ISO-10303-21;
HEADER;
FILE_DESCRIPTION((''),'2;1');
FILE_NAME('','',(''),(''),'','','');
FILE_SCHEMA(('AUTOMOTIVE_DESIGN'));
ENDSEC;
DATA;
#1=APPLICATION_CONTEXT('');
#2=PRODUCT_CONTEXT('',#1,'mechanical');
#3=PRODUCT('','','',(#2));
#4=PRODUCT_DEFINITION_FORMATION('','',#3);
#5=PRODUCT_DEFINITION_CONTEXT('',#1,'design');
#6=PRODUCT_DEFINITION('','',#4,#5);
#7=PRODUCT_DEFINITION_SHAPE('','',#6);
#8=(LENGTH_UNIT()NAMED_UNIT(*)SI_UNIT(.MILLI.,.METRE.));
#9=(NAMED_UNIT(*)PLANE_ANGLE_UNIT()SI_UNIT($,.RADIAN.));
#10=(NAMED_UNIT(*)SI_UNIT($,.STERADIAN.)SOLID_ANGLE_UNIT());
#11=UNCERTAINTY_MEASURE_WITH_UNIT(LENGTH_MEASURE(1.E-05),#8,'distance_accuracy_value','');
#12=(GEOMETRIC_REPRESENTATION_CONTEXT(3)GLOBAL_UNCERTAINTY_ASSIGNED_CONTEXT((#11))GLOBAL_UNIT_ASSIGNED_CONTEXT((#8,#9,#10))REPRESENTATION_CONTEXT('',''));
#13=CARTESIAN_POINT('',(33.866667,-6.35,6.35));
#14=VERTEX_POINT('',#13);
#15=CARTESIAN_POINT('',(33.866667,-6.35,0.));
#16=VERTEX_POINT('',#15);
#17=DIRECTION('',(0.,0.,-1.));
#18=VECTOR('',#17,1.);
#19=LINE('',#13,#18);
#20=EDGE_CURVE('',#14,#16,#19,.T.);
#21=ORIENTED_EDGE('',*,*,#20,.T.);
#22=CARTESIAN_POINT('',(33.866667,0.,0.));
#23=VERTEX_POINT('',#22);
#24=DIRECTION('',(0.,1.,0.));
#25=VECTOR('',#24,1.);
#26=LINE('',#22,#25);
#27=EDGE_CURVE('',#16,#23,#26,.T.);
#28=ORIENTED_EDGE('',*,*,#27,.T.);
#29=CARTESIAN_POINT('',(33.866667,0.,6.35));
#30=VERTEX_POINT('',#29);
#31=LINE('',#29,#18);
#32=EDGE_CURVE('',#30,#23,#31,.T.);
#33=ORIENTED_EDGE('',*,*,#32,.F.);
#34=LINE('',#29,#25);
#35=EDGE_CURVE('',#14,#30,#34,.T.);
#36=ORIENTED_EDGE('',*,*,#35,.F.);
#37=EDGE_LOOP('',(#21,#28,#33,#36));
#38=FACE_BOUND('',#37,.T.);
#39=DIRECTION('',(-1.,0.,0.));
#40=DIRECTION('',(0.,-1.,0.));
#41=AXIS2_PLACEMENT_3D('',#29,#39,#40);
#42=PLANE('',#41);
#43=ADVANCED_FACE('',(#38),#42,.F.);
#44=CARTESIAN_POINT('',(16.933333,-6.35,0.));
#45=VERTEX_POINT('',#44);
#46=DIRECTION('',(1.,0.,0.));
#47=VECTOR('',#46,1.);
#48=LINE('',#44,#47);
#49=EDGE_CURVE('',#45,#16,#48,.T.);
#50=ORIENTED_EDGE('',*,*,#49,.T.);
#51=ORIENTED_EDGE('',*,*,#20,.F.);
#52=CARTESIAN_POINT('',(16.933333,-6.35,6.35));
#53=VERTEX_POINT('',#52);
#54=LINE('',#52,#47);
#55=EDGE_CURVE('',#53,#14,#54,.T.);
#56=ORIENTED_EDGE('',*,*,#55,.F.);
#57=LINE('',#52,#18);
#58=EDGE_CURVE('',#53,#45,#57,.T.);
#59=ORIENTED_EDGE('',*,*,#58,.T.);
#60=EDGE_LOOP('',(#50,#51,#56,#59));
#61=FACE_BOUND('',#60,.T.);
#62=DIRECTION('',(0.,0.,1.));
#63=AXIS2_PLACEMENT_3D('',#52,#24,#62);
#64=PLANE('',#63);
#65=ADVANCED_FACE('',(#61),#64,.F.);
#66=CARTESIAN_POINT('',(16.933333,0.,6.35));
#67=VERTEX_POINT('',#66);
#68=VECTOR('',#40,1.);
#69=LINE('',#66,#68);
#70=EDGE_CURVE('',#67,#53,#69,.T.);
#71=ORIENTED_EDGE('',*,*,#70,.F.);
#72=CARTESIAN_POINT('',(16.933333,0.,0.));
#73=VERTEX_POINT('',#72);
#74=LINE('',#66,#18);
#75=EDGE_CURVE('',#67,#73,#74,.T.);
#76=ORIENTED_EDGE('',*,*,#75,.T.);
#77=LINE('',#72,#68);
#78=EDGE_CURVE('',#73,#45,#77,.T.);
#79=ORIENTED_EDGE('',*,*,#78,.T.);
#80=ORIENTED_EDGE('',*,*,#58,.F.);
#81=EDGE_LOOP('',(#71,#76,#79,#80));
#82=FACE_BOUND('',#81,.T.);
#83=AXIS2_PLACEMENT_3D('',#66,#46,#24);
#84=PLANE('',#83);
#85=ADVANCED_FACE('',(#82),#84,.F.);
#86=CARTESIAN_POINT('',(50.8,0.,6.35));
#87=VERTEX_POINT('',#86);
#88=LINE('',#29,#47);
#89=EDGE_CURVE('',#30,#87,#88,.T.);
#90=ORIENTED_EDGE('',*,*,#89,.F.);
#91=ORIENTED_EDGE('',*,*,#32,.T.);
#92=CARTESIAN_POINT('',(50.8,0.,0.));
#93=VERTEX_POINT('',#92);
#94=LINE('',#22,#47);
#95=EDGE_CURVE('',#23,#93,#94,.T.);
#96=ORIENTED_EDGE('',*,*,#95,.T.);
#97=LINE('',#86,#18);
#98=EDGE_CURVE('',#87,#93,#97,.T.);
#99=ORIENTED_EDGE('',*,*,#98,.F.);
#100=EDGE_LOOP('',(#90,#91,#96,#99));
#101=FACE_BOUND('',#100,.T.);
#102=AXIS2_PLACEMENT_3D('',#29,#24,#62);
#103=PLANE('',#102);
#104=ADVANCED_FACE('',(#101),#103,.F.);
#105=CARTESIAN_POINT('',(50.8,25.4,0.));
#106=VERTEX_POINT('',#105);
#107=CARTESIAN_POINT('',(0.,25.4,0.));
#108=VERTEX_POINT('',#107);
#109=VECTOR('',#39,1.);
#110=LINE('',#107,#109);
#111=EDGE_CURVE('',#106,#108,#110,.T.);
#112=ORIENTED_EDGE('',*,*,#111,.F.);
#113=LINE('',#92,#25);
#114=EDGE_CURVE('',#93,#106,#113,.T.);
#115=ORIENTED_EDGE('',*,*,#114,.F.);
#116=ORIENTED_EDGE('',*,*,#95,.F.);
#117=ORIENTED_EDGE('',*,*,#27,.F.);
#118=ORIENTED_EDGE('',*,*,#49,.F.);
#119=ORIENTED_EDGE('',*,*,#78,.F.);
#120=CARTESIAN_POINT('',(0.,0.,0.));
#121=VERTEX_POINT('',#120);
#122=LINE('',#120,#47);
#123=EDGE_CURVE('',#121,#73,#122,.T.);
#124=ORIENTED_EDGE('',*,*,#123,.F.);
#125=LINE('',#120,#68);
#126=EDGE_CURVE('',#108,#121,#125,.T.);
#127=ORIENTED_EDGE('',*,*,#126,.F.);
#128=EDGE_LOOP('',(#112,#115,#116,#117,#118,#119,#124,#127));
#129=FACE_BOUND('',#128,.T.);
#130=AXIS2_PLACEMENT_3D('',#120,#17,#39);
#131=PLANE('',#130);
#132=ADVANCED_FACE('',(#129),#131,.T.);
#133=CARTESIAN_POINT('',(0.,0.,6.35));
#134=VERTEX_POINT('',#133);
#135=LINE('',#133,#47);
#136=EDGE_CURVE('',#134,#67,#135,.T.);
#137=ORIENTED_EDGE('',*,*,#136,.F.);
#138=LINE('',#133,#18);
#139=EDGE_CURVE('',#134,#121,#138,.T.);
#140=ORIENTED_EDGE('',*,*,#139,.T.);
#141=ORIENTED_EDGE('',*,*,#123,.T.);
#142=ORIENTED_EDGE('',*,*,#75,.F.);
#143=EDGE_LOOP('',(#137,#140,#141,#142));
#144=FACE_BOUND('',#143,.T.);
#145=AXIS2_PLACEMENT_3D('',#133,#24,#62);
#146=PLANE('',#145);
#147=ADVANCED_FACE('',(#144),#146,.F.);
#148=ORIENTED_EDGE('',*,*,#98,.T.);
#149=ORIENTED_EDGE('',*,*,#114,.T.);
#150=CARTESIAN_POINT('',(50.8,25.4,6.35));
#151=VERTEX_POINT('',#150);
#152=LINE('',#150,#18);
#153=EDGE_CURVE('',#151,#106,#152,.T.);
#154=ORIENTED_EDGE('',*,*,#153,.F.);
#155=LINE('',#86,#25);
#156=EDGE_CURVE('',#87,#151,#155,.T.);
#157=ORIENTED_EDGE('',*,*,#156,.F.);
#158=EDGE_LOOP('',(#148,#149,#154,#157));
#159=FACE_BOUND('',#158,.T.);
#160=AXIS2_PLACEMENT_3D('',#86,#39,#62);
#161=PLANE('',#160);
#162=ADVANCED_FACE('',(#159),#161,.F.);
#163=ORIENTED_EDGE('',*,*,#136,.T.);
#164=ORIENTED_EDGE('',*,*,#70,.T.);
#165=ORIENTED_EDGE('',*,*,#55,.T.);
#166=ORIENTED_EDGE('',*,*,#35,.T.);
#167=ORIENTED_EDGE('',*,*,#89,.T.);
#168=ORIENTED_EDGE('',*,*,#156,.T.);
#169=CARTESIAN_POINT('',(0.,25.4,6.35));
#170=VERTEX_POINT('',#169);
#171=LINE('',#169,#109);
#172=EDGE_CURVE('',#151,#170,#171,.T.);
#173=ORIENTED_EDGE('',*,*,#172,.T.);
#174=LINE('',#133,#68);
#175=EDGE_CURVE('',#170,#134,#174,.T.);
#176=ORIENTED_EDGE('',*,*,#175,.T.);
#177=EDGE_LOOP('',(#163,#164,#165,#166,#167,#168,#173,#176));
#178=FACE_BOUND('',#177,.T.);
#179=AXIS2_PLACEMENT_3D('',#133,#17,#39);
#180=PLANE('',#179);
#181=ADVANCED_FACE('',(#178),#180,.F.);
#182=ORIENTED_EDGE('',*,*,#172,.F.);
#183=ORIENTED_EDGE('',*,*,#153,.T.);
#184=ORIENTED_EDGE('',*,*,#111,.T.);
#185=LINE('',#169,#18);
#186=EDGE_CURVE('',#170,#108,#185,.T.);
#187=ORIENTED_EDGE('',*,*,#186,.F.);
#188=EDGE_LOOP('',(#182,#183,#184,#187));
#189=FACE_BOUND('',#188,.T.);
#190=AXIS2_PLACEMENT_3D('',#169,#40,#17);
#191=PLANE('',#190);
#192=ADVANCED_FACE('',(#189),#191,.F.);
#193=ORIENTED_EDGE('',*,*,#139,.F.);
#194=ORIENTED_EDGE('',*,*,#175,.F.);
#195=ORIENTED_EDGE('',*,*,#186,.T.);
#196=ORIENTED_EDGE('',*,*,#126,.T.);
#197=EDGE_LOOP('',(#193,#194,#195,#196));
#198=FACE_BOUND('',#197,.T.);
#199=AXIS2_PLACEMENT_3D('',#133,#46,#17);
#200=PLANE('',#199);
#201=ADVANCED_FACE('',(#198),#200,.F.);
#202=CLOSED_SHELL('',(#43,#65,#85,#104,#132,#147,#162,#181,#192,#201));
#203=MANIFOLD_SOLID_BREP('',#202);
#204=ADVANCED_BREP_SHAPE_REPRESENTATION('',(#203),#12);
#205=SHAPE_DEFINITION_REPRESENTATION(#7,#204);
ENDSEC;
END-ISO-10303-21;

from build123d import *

# Parameters (mm, degrees)
BOSS_EXTRUDE1_DEPTH = 6.35


with BuildPart() as part:
    # Sketch1 → Boss-Extrude1 (new body)
    with BuildSketch(Plane.XY):
        Polygon((33.866666667, 0), (50.8, 0), (50.8, 25.4), (0, 25.4), (0, 0), (16.933333333, 0), (16.933333333, -6.35), (33.866666667, -6.35), align=None)
    extrude(amount=BOSS_EXTRUDE1_DEPTH)


solid = part.part
